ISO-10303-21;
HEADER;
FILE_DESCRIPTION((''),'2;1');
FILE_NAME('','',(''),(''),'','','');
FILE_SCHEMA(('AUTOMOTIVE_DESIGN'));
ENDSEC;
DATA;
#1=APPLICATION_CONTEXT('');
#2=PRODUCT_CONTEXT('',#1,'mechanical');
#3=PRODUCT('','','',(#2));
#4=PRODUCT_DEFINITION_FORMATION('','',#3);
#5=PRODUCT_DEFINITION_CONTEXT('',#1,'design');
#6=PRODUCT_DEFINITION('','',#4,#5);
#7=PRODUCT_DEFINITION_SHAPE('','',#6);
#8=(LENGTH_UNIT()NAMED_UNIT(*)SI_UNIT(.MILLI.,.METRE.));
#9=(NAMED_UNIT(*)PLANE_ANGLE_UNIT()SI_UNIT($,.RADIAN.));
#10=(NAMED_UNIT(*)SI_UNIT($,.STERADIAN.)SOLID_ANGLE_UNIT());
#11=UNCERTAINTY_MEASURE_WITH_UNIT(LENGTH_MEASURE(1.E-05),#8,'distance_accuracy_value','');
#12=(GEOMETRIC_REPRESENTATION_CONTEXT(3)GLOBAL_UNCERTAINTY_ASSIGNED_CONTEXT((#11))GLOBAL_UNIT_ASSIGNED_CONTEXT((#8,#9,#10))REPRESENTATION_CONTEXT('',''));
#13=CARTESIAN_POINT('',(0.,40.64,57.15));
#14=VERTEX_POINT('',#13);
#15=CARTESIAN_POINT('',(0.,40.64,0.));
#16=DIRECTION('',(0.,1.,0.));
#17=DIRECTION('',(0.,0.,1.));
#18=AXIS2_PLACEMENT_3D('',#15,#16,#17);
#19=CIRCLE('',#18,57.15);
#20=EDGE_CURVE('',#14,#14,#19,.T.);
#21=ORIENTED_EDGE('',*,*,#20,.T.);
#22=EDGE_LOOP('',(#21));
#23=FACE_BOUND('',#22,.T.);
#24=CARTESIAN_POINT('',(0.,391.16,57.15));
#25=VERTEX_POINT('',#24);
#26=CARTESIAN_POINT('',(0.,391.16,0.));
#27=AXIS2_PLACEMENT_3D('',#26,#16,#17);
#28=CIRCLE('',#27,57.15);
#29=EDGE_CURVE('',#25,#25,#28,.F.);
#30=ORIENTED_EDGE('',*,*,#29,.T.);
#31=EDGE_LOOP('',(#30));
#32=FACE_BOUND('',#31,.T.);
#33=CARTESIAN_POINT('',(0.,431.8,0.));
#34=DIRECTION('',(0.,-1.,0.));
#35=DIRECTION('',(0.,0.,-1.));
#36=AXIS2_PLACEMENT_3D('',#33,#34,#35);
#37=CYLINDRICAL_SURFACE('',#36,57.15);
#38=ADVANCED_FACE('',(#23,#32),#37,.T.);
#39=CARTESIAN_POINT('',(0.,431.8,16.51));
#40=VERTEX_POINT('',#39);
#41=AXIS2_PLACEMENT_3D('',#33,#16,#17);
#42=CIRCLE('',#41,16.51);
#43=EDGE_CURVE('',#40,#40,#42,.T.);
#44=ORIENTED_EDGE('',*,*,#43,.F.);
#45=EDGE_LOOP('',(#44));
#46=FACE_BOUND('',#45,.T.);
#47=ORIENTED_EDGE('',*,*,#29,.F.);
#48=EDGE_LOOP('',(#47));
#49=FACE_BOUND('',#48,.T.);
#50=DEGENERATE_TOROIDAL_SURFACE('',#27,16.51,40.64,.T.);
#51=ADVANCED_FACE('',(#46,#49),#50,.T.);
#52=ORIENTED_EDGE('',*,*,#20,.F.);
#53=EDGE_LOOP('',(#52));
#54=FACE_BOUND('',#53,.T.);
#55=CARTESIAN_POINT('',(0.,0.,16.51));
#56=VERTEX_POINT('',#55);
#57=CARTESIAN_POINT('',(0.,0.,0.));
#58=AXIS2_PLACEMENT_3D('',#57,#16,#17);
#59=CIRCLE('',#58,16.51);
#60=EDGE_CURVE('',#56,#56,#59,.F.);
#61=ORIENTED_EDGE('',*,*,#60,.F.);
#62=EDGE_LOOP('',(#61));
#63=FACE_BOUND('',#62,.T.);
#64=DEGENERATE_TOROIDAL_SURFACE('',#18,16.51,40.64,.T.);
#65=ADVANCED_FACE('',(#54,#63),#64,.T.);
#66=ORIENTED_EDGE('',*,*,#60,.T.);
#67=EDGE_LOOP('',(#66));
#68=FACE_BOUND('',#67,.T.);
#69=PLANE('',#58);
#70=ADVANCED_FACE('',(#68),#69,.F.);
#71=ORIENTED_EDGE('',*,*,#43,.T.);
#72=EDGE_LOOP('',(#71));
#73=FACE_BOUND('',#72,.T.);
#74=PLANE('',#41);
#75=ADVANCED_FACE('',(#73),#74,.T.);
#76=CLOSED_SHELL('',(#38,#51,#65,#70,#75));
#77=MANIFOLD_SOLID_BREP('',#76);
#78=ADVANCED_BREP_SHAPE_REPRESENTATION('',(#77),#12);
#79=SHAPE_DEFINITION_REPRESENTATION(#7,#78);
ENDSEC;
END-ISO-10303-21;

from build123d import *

# Parameters (mm, degrees)
SKETCH1_R           = 57.15
BOSS_EXTRUDE1_DEPTH = 431.8
FILLET1_R           = 40.64


with BuildPart() as part:
    # Sketch1 → Boss-Extrude1 (new body)
    with BuildSketch(Plane(origin=(0, 0, 0), x_dir=(1, 0, 0), z_dir=(0, 1, 0))):
        Circle(SKETCH1_R)
    extrude(amount=BOSS_EXTRUDE1_DEPTH)

    # Fillet1
    fillet1_edges = [part.edges().sort_by_distance(p)[0] for p in [
        (-57.15, 0, 0),
        (-57.15, 431.8, 0),
    ]]
    fillet(fillet1_edges, radius=FILLET1_R)


solid = part.part
